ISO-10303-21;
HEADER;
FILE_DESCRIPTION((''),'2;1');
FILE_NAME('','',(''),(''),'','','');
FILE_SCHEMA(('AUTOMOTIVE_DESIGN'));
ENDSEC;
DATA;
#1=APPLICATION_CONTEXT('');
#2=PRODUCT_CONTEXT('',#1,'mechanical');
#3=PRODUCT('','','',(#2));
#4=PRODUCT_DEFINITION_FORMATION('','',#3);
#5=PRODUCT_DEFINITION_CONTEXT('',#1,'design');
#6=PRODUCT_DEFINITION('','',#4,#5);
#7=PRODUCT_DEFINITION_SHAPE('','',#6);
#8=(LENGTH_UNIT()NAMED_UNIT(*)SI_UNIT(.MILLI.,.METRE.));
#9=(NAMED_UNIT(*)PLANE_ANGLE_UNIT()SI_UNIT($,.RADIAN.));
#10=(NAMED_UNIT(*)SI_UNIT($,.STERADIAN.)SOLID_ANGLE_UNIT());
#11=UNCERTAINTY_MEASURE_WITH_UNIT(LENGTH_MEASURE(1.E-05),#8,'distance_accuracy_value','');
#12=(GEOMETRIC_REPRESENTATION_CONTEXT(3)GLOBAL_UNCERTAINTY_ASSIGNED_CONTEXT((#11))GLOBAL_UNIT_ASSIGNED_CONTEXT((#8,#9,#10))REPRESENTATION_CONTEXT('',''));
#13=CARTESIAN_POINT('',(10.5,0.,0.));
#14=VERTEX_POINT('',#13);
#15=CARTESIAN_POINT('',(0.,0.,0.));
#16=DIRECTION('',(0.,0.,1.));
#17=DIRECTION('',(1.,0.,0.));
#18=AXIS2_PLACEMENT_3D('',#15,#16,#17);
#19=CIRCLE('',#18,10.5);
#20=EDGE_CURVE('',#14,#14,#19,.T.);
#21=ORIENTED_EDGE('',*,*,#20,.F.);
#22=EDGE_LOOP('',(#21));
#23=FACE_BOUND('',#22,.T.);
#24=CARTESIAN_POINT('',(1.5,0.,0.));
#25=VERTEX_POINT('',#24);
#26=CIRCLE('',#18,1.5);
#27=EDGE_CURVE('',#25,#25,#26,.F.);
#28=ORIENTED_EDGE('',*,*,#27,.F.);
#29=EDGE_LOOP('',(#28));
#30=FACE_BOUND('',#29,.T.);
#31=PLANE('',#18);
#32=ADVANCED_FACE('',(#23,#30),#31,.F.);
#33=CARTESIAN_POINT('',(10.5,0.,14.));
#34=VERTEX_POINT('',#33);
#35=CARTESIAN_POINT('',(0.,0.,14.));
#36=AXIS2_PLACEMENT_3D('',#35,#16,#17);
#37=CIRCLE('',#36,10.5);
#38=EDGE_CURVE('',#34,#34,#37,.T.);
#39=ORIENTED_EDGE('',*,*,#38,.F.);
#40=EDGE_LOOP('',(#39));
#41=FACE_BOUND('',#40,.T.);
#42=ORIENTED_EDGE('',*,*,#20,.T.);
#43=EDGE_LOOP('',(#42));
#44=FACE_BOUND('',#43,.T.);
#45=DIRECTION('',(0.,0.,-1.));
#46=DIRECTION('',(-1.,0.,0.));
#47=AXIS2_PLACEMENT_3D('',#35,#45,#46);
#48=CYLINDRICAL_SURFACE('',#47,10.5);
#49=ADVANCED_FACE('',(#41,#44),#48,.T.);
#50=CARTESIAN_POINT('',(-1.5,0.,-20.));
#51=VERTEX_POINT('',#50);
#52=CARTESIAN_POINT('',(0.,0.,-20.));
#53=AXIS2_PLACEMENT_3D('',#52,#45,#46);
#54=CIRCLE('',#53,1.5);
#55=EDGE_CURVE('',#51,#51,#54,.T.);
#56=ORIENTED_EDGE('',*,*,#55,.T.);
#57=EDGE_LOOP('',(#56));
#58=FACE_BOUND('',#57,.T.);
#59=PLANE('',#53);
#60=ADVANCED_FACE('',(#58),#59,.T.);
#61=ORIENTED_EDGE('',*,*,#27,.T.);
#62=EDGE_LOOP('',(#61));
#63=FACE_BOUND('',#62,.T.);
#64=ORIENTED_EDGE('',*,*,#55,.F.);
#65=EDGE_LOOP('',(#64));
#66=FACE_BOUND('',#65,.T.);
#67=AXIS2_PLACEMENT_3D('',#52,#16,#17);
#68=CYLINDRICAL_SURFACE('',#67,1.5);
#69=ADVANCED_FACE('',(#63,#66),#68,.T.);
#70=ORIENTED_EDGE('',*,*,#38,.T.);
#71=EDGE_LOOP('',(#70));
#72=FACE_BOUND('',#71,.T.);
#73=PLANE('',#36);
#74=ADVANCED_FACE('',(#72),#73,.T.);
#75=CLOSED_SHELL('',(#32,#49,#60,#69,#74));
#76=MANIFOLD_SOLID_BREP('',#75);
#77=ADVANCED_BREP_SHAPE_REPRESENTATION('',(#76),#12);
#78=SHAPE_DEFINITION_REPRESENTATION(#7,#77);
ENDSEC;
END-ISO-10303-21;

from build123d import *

# Parameters (mm, degrees)
ESQUISSE1_R        = 10.5
BOSS_EXTRU_1_DEPTH = 14
ESQUISSE2_R        = 1.5
BOSS_EXTRU_2_DEPTH = 20


with BuildPart() as part:
    # Esquisse1 → Boss.-Extru.1 (new body)
    with BuildSketch(Plane.XY):
        Circle(ESQUISSE1_R)
    extrude(amount=BOSS_EXTRU_1_DEPTH)

    # Esquisse2 → Boss.-Extru.2 (add)
    with BuildSketch(Plane(origin=(0, 0, 0), x_dir=(-1, 0, 0), z_dir=(0, 0, -1))):
        Circle(ESQUISSE2_R)
    extrude(amount=BOSS_EXTRU_2_DEPTH)


solid = part.part
